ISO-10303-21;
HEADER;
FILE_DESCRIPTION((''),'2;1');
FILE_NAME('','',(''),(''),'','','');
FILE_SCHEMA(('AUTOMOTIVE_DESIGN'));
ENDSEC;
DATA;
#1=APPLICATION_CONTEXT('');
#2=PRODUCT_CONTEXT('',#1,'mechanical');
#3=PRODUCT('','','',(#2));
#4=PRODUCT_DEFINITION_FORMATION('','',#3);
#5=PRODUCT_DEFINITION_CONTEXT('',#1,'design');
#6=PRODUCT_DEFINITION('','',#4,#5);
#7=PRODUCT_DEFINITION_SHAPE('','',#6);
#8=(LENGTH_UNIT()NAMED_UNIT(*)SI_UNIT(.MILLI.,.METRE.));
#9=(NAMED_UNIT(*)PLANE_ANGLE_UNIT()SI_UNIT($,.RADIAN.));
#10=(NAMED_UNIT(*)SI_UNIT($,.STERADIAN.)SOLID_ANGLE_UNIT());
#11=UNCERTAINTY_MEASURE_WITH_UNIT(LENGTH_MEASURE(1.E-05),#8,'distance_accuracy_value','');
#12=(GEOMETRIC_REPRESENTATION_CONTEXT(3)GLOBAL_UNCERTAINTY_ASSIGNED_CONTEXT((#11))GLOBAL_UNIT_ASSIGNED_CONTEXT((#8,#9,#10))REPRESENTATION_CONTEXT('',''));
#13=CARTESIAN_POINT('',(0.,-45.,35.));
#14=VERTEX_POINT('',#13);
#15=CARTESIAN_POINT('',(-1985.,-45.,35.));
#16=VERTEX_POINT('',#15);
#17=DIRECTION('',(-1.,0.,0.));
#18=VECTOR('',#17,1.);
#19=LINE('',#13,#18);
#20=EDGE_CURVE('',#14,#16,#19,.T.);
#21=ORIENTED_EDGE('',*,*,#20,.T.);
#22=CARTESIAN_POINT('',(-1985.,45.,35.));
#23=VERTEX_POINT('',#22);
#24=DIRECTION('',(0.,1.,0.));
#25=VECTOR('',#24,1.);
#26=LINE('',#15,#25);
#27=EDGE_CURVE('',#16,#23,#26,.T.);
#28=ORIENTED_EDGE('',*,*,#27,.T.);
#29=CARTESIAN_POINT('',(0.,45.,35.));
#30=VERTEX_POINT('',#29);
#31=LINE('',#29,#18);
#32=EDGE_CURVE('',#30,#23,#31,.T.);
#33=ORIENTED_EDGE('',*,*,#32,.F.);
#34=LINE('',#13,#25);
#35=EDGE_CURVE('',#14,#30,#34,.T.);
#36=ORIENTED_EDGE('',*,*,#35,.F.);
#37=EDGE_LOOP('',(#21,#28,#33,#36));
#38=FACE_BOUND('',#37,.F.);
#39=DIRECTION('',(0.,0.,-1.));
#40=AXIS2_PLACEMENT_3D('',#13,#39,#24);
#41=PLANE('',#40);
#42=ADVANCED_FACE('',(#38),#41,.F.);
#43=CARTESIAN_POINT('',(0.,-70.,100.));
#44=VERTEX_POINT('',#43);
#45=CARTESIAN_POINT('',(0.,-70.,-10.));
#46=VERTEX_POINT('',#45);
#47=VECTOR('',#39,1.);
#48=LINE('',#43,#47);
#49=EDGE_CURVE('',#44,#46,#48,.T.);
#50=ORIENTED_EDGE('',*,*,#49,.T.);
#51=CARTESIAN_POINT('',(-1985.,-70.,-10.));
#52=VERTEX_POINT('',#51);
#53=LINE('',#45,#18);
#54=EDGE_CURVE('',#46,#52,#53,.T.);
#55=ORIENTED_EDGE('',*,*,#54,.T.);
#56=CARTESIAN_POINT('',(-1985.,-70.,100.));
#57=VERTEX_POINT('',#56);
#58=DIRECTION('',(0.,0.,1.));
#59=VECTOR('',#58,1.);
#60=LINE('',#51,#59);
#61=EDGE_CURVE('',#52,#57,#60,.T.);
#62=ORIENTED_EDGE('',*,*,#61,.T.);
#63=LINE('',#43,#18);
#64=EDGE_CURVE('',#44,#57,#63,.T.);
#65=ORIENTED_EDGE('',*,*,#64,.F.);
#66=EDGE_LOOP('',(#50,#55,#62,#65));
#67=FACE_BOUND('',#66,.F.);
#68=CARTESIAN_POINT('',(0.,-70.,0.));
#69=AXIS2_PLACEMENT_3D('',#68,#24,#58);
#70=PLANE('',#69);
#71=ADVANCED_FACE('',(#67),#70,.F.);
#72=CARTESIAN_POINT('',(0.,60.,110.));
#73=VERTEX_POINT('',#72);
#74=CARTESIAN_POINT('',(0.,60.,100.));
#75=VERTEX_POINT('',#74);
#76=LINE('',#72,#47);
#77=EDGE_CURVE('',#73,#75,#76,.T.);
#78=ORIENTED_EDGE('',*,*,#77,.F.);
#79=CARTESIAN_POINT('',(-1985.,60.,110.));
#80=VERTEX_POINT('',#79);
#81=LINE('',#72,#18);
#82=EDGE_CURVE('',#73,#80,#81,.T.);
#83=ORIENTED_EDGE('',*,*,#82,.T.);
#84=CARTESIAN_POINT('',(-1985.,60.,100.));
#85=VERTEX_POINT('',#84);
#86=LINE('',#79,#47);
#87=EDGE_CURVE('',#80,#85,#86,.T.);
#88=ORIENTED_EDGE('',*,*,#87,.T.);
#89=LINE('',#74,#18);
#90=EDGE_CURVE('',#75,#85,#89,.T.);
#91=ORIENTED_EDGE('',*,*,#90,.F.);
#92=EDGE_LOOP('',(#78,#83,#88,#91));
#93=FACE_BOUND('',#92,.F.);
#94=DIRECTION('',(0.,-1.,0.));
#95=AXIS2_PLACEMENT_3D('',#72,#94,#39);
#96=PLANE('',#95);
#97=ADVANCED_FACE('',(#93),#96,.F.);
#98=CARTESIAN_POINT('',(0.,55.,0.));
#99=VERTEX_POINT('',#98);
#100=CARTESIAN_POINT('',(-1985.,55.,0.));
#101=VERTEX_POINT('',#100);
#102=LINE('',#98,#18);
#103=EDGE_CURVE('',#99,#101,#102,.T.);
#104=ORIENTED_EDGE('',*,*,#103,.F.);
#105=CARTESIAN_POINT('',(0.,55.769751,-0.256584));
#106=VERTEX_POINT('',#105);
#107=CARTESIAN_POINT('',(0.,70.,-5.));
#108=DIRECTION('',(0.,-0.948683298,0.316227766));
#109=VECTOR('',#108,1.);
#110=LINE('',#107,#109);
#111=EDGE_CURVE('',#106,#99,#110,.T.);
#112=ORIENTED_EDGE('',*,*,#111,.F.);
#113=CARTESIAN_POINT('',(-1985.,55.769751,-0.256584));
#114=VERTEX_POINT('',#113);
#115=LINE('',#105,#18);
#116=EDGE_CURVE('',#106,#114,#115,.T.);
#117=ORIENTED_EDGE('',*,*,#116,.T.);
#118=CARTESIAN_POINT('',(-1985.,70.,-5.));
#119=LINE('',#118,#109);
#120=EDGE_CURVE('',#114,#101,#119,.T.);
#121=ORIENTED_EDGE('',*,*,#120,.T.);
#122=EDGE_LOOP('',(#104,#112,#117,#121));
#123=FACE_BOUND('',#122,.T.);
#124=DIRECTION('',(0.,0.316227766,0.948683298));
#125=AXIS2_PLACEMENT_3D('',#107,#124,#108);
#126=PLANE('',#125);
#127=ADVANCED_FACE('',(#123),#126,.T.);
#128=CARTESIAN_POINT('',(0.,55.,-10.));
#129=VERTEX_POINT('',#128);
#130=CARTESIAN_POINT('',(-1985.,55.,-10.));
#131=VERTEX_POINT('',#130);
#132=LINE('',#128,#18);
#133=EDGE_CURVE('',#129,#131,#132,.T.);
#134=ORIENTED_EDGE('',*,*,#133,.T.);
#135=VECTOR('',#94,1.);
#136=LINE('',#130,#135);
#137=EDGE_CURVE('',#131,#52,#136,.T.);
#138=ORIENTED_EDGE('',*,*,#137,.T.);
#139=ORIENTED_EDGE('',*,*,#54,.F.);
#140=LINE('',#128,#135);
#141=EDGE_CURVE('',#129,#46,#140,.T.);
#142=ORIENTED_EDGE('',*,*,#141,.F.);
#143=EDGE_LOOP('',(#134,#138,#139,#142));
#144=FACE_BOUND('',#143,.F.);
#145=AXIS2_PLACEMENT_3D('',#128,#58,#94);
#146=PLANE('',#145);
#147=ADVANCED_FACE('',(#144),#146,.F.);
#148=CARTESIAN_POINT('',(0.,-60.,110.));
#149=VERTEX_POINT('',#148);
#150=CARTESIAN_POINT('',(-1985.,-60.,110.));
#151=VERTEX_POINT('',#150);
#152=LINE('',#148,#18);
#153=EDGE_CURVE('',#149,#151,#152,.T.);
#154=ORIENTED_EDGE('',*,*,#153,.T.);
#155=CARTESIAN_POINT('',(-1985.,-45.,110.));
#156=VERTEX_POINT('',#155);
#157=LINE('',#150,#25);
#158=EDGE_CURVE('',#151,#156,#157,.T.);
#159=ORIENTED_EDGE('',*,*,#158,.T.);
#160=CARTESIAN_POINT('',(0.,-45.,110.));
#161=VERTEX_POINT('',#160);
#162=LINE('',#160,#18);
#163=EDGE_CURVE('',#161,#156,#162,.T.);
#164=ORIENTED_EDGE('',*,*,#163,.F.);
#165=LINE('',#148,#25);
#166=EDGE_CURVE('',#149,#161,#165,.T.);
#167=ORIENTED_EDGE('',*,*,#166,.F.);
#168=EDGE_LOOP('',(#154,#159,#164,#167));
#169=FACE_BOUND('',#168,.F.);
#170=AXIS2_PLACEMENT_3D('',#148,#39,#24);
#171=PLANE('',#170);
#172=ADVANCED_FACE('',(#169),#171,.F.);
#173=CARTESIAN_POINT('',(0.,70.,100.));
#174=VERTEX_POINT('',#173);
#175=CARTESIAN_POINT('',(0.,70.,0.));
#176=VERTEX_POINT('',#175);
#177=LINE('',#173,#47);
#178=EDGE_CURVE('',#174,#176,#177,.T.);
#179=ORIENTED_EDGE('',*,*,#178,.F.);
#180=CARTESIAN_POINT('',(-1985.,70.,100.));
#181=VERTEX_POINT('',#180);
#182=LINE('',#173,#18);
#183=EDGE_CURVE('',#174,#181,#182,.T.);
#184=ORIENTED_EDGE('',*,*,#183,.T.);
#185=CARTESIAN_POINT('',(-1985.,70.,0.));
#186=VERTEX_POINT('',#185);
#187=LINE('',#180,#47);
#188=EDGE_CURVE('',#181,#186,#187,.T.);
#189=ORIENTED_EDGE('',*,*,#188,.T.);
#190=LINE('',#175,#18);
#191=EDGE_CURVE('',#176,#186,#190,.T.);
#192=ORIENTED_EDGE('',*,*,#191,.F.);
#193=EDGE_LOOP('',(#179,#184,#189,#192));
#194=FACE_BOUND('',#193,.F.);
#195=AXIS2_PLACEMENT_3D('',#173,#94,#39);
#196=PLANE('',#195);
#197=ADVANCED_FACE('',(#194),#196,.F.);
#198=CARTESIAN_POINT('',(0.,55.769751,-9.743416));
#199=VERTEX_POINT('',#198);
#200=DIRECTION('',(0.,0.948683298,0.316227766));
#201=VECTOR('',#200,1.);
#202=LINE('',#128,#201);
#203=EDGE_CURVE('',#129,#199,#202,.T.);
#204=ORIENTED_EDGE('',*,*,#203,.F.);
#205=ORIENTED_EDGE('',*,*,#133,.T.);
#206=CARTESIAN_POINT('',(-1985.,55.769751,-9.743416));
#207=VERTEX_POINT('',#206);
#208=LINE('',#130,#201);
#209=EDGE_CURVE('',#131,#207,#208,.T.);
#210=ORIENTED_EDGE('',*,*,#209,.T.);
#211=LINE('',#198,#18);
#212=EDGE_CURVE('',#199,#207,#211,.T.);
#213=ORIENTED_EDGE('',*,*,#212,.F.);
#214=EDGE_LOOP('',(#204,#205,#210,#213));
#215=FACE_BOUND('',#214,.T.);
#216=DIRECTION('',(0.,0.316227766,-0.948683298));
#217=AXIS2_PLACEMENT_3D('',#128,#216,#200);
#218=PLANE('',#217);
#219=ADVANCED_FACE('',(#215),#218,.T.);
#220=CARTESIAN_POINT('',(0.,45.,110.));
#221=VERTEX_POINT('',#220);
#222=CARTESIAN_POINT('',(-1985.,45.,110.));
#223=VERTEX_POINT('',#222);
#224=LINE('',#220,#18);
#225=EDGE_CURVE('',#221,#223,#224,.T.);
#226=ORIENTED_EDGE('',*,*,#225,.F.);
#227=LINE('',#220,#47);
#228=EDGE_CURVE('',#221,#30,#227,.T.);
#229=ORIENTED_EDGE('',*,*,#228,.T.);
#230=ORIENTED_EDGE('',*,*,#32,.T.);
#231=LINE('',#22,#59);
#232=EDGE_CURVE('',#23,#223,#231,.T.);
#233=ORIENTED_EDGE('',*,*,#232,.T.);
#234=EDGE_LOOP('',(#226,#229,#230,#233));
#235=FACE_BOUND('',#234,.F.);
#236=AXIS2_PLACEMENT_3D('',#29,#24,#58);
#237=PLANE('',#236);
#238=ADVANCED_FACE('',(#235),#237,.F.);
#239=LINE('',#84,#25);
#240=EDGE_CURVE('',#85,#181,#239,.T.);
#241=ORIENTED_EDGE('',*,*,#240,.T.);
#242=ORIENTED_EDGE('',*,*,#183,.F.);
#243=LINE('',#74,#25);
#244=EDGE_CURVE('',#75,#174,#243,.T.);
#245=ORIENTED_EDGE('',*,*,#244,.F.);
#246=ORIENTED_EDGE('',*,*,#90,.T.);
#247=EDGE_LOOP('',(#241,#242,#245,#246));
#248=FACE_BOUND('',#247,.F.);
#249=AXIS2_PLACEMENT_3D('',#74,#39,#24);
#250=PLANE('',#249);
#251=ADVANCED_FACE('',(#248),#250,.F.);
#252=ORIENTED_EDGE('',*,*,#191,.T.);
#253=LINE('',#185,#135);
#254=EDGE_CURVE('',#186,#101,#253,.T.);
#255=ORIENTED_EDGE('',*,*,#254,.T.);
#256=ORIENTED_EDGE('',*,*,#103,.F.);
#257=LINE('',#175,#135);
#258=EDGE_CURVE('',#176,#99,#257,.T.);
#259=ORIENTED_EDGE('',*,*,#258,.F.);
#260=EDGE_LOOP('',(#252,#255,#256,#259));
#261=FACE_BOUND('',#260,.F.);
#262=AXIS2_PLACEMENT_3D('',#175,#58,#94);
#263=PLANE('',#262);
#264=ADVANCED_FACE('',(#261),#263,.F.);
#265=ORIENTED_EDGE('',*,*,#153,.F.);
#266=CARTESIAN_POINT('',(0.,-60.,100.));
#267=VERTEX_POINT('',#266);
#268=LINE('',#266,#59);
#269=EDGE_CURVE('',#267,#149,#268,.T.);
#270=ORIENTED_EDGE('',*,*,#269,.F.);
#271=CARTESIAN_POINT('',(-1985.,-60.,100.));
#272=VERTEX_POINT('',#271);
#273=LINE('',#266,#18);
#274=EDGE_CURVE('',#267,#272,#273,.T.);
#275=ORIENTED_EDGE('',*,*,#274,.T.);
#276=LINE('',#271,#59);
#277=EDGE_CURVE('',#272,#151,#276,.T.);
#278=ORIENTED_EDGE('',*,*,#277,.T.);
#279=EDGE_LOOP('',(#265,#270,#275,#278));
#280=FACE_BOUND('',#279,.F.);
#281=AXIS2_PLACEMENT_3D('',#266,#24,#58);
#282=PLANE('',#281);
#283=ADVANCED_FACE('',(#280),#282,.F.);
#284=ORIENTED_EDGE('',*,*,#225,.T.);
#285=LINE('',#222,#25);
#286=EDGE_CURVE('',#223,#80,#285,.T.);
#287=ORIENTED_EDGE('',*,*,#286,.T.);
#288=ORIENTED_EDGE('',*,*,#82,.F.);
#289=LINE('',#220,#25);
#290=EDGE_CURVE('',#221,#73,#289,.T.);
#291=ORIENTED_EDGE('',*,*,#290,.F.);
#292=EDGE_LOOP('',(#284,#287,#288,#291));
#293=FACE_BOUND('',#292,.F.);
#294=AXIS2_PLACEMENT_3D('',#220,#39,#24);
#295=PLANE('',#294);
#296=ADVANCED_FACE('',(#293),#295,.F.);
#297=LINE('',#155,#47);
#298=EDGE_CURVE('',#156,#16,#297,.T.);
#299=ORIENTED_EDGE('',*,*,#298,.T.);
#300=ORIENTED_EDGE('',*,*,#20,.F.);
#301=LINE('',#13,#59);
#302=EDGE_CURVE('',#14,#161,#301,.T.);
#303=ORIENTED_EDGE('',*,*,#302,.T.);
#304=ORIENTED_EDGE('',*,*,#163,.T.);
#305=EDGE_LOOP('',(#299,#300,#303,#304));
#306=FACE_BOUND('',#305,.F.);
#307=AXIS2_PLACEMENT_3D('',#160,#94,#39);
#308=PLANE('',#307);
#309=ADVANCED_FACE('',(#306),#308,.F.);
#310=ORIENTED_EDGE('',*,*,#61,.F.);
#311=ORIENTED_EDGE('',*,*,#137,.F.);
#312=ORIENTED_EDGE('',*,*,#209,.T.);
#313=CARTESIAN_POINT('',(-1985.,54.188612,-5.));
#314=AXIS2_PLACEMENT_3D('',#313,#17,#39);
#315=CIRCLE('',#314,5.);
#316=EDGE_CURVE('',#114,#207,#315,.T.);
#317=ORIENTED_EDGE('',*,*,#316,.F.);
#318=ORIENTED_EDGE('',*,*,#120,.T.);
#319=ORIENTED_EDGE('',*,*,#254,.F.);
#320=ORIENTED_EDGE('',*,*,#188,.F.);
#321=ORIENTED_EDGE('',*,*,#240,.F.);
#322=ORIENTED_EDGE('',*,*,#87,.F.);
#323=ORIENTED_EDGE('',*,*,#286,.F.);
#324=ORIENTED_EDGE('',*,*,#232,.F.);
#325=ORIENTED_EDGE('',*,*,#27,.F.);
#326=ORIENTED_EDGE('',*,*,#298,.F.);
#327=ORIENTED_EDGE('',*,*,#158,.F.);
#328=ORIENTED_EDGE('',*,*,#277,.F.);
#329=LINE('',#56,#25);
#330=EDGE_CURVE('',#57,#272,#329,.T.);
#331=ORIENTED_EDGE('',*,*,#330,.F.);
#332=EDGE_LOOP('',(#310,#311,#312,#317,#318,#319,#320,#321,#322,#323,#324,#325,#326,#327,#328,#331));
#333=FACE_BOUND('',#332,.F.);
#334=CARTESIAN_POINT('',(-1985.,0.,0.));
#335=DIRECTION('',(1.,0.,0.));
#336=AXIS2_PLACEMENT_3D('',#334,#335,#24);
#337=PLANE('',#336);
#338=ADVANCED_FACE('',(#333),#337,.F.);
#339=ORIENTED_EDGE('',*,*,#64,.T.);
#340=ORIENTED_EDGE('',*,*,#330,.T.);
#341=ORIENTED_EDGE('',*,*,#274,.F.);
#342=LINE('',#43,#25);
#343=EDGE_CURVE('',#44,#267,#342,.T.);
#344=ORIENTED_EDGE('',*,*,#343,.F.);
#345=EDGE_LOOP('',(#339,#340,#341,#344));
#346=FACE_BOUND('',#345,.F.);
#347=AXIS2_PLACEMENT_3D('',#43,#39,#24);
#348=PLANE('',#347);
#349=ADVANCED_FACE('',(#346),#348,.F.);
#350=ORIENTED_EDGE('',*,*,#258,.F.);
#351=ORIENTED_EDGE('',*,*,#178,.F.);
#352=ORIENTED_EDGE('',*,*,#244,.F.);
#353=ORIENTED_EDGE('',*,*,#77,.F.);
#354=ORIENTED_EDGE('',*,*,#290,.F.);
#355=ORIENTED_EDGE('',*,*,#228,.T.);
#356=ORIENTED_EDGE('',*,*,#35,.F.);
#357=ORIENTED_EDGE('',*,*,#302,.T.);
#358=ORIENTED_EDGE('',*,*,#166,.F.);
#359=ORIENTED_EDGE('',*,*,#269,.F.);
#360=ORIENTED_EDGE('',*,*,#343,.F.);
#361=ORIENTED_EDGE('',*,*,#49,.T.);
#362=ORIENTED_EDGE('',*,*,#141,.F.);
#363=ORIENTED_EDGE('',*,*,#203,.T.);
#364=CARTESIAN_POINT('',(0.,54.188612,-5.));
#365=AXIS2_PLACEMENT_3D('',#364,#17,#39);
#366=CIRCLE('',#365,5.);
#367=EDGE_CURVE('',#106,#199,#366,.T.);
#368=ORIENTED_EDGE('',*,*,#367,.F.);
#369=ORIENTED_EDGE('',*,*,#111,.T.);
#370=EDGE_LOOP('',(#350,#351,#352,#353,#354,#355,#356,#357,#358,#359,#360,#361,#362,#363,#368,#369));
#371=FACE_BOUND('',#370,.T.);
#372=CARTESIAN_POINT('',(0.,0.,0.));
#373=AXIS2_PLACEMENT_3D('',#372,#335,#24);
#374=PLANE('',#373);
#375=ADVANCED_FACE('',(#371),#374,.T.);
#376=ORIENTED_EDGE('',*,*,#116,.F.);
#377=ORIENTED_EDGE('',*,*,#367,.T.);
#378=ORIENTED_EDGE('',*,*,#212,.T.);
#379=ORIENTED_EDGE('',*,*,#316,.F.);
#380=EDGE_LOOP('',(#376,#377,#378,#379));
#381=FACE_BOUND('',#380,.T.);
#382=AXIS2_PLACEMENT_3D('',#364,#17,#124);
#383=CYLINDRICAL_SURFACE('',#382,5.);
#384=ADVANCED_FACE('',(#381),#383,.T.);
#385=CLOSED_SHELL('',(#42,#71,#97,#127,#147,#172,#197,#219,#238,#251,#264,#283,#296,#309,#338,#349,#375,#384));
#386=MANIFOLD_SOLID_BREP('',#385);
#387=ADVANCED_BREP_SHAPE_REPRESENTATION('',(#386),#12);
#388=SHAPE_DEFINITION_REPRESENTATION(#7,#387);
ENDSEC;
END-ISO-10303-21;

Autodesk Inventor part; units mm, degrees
ref_plane "YZ Plane" through (0, 0, 0) normal (1, 0, 0) x (0, 1, 0)
ref_plane "XZ Plane" through (0, 0, 0) normal (0, 1, 0) x (-1, 0, 0)
ref_plane "XY Plane" through (0, 0, 0) normal (0, 0, 1) x (1, 0, 0)
sketch "Sketch1" plane through (0, 0, 0) normal (1, 0, 0) x (0, 1, 0)
  line L0 (70, 0) -> (-70, 0)
  line L1 (-70, 0) -> (-70, 100)
  line L2 (-70, 100) -> (-60, 100)
  line L3 (-60, 100) -> (-60, 110)
  line L4 (-60, 110) -> (-45, 110)
  line L5 (-45, 110) -> (-45, 95)
  line L6 (-45, 95) -> (-45, 95)
  line L7 (-45, 95) -> (-45, 35)
  line L8 (-45, 35) -> (45, 35)
  line L9 (45, 35) -> (45, 95)
  line L10 (45, 95) -> (45, 95)
  line L11 (45, 95) -> (45, 110)
  line L12 (45, 110) -> (60, 110)
  line L13 (60, 110) -> (60, 100)
  line L14 (60, 100) -> (70, 100)
  line L15 (70, 100) -> (70, 0)
  point P0 (0, 0)
  point P1 (0, 0)
  point P2 (0, 35)
  dimension "d15" = 90
  dimension "d16" = 110
  dimension "d17" = 10
  dimension "d20" = 35
  dimension "d21" = 15
  dimension "d22" = 15
  dimension "d23" = 15
  dimension "d24" = 10
  dimension "d25" = 10
  dimension "d26" = 135
  dimension "d27" = 135
  dimension "d28" = 90
extrude "Extrusion1" add sketch "Sketch1" against normal blind 1985
sketch "Sketch2" plane through (0, 0, 0) normal (1, 0, 0) x (0, 0, -1)
  line L0 (0, -70) -> (0, 70) projected
  line L1 (-110, 45) -> (-35, 45) projected
  line L2 (0, 25) -> (0, 45)
  line L3 (0, 70) -> (0, -70) projected
  line L4 (0, -70) -> (10, -70)
  line L5 (0, 55) -> (10, 55)
  line L6 (10, 55) -> (10, -70)
  line L7 (5, 55) -> (5, 30.8047) construction
  line L8 (0, 70) -> (-100, 70) projected
  line L9 (10, 55) -> (5, 70)
  line L10 (5, 70) -> (0, 55)
  point P0 (0, 0)
  point P1 (5, -70)
  point P2 (0, 55)
  dimension "d36" = 10
  dimension "d43" = 15
extrude "Extrusion2" add sketch "Sketch2" against normal up to surface (1985 mm away)
fillet "Fillet2" radius 5 1 edges at (-992.5, 70, -5)
equation "\"d22\" = d21"
equation "\"d25\" = d17"
properties part number "Zarge" material "Copper"
